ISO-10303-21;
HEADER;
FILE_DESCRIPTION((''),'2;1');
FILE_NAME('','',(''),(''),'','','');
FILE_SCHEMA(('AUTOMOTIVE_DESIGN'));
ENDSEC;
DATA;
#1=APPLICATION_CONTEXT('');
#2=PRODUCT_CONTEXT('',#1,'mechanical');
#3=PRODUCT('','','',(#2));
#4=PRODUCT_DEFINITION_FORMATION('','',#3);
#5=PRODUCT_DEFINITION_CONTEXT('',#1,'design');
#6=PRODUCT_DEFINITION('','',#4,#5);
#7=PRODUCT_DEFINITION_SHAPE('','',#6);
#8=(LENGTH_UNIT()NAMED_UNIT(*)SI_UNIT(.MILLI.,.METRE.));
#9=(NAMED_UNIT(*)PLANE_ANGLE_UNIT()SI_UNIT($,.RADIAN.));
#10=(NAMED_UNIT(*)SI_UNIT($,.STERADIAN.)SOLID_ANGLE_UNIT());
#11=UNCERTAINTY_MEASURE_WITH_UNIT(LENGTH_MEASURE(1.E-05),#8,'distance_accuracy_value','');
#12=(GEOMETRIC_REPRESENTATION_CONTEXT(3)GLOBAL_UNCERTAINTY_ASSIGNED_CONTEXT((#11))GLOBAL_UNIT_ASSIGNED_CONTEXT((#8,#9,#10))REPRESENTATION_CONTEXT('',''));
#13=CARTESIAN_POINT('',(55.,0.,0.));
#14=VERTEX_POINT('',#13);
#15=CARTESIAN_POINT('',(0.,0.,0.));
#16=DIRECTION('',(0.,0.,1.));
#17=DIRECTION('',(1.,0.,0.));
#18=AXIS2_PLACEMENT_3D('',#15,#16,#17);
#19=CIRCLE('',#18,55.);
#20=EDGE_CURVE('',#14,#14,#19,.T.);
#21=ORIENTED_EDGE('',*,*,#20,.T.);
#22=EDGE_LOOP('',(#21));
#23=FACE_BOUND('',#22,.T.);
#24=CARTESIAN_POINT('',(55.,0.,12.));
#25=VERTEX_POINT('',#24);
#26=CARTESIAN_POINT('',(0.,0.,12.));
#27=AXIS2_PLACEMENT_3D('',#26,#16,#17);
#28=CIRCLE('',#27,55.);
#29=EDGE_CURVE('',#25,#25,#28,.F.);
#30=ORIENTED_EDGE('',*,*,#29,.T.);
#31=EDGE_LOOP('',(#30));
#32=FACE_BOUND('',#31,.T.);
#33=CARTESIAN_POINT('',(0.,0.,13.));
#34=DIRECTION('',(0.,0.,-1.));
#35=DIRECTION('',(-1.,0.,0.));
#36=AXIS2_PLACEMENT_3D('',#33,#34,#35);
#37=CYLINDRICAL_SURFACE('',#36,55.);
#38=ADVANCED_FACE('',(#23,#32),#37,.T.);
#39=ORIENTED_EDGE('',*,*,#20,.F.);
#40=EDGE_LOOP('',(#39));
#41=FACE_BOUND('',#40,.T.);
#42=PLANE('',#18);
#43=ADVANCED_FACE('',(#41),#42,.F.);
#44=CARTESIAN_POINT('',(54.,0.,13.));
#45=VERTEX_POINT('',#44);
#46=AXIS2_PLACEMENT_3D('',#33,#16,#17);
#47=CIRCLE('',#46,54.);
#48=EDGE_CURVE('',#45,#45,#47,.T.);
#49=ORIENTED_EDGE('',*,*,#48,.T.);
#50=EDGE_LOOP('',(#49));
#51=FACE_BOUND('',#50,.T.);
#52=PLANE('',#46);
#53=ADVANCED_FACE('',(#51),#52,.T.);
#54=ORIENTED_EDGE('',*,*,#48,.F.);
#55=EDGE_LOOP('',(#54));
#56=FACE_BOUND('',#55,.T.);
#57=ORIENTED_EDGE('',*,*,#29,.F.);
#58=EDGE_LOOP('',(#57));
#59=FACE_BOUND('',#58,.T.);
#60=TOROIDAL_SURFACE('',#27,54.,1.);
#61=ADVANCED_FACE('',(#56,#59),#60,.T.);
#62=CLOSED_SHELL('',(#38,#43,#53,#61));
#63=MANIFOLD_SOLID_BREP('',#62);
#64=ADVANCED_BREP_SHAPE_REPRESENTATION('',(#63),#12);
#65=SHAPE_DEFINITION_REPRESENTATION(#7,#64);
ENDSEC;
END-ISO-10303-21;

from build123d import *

# Parameters (mm, degrees)
SKETCH1_R           = 55
BOSS_EXTRUDE1_DEPTH = 13
FILLET1_R           = 1


with BuildPart() as part:
    # Sketch1 → Boss-Extrude1 (new body)
    with BuildSketch(Plane.XY):
        Circle(SKETCH1_R)
    extrude(amount=BOSS_EXTRUDE1_DEPTH)

    # Fillet1
    fillet1_edges = [part.edges().sort_by_distance(p)[0] for p in [
        (-55, 0, 13),
    ]]
    fillet(fillet1_edges, radius=FILLET1_R)


solid = part.part
